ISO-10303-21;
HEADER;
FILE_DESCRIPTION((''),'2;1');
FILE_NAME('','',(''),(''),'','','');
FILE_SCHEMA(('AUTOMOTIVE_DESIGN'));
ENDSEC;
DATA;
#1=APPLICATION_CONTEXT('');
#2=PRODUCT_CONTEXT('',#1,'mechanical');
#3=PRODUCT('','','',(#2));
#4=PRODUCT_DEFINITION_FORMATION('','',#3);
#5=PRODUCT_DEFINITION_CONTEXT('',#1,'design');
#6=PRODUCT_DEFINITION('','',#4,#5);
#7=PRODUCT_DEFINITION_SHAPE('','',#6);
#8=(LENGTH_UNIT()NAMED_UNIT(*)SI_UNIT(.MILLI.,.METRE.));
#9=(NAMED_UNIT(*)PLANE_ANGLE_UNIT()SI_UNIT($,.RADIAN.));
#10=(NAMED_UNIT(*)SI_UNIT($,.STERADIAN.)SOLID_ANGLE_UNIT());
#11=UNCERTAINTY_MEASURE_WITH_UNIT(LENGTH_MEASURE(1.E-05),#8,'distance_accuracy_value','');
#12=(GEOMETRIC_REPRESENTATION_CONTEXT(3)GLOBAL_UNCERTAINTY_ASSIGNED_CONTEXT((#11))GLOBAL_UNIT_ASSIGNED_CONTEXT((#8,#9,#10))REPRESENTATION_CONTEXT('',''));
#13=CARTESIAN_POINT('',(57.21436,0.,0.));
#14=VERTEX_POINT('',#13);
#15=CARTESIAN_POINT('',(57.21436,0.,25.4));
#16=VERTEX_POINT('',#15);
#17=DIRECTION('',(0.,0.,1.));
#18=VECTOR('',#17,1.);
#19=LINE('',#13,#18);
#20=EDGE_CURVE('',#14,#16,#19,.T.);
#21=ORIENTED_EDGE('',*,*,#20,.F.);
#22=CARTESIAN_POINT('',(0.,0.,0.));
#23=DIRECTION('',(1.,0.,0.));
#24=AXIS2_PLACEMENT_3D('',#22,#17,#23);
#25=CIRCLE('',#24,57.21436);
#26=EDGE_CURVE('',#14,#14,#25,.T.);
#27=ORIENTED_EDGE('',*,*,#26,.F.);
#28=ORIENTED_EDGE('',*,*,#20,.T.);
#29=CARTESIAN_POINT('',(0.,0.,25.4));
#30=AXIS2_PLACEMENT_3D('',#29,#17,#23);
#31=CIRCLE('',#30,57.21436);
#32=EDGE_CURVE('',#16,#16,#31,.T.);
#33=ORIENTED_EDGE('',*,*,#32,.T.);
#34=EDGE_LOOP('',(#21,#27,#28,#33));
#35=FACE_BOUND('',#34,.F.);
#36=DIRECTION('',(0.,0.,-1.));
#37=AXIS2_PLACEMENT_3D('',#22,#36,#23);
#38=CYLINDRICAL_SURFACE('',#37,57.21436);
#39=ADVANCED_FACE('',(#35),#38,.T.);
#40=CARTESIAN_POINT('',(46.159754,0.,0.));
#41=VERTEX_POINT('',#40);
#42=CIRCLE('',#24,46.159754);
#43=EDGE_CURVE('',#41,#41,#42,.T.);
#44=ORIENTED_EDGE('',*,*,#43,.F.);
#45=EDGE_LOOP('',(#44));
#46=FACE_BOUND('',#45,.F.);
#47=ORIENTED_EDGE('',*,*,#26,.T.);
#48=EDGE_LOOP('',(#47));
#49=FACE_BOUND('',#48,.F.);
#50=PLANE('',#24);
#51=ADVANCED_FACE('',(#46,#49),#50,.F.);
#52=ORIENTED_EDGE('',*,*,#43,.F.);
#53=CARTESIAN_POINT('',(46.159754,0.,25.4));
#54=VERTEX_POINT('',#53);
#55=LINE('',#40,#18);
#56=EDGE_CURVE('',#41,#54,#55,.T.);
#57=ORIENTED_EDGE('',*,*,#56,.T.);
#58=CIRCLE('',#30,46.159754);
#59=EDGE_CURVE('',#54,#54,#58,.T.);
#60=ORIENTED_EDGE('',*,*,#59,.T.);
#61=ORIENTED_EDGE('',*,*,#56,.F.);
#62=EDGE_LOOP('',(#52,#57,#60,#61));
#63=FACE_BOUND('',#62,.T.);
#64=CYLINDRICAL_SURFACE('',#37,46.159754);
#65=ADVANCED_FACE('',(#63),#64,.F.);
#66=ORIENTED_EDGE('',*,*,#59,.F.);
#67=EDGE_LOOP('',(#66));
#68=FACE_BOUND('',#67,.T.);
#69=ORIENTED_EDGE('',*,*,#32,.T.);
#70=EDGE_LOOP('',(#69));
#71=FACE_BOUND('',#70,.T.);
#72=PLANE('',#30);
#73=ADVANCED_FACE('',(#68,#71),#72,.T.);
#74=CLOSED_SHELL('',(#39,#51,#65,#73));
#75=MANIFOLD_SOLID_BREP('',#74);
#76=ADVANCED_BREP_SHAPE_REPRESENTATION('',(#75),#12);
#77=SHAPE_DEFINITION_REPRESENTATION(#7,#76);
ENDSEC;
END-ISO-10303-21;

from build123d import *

# Parameters (mm, degrees)
F0_R     = 57.21436
F1_DEPTH = 25.4
F2_R     = 46.159754
F3_DEPTH = 25.4
F4_W     = 13.088044
F4_H     = 22.873998
F5_DEPTH = 25.4


with BuildPart() as f1:
    # F0 (on Top) → F1 (new body)
    with BuildSketch(Plane.XY):
        Circle(F0_R)
    extrude(amount=F1_DEPTH)

    # F2 (on Top) → F3 (cut)
    with BuildSketch(Plane.XY):
        Circle(F2_R)
    extrude(amount=F3_DEPTH, mode=Mode.SUBTRACT)

    # F4 (on Top) → F5 (cut)
    with BuildSketch(Plane.XY):
        with Locations((0, 182.986438)):
            Rectangle(F4_W, F4_H)
    extrude(amount=F5_DEPTH, mode=Mode.SUBTRACT)


solid = f1.part
